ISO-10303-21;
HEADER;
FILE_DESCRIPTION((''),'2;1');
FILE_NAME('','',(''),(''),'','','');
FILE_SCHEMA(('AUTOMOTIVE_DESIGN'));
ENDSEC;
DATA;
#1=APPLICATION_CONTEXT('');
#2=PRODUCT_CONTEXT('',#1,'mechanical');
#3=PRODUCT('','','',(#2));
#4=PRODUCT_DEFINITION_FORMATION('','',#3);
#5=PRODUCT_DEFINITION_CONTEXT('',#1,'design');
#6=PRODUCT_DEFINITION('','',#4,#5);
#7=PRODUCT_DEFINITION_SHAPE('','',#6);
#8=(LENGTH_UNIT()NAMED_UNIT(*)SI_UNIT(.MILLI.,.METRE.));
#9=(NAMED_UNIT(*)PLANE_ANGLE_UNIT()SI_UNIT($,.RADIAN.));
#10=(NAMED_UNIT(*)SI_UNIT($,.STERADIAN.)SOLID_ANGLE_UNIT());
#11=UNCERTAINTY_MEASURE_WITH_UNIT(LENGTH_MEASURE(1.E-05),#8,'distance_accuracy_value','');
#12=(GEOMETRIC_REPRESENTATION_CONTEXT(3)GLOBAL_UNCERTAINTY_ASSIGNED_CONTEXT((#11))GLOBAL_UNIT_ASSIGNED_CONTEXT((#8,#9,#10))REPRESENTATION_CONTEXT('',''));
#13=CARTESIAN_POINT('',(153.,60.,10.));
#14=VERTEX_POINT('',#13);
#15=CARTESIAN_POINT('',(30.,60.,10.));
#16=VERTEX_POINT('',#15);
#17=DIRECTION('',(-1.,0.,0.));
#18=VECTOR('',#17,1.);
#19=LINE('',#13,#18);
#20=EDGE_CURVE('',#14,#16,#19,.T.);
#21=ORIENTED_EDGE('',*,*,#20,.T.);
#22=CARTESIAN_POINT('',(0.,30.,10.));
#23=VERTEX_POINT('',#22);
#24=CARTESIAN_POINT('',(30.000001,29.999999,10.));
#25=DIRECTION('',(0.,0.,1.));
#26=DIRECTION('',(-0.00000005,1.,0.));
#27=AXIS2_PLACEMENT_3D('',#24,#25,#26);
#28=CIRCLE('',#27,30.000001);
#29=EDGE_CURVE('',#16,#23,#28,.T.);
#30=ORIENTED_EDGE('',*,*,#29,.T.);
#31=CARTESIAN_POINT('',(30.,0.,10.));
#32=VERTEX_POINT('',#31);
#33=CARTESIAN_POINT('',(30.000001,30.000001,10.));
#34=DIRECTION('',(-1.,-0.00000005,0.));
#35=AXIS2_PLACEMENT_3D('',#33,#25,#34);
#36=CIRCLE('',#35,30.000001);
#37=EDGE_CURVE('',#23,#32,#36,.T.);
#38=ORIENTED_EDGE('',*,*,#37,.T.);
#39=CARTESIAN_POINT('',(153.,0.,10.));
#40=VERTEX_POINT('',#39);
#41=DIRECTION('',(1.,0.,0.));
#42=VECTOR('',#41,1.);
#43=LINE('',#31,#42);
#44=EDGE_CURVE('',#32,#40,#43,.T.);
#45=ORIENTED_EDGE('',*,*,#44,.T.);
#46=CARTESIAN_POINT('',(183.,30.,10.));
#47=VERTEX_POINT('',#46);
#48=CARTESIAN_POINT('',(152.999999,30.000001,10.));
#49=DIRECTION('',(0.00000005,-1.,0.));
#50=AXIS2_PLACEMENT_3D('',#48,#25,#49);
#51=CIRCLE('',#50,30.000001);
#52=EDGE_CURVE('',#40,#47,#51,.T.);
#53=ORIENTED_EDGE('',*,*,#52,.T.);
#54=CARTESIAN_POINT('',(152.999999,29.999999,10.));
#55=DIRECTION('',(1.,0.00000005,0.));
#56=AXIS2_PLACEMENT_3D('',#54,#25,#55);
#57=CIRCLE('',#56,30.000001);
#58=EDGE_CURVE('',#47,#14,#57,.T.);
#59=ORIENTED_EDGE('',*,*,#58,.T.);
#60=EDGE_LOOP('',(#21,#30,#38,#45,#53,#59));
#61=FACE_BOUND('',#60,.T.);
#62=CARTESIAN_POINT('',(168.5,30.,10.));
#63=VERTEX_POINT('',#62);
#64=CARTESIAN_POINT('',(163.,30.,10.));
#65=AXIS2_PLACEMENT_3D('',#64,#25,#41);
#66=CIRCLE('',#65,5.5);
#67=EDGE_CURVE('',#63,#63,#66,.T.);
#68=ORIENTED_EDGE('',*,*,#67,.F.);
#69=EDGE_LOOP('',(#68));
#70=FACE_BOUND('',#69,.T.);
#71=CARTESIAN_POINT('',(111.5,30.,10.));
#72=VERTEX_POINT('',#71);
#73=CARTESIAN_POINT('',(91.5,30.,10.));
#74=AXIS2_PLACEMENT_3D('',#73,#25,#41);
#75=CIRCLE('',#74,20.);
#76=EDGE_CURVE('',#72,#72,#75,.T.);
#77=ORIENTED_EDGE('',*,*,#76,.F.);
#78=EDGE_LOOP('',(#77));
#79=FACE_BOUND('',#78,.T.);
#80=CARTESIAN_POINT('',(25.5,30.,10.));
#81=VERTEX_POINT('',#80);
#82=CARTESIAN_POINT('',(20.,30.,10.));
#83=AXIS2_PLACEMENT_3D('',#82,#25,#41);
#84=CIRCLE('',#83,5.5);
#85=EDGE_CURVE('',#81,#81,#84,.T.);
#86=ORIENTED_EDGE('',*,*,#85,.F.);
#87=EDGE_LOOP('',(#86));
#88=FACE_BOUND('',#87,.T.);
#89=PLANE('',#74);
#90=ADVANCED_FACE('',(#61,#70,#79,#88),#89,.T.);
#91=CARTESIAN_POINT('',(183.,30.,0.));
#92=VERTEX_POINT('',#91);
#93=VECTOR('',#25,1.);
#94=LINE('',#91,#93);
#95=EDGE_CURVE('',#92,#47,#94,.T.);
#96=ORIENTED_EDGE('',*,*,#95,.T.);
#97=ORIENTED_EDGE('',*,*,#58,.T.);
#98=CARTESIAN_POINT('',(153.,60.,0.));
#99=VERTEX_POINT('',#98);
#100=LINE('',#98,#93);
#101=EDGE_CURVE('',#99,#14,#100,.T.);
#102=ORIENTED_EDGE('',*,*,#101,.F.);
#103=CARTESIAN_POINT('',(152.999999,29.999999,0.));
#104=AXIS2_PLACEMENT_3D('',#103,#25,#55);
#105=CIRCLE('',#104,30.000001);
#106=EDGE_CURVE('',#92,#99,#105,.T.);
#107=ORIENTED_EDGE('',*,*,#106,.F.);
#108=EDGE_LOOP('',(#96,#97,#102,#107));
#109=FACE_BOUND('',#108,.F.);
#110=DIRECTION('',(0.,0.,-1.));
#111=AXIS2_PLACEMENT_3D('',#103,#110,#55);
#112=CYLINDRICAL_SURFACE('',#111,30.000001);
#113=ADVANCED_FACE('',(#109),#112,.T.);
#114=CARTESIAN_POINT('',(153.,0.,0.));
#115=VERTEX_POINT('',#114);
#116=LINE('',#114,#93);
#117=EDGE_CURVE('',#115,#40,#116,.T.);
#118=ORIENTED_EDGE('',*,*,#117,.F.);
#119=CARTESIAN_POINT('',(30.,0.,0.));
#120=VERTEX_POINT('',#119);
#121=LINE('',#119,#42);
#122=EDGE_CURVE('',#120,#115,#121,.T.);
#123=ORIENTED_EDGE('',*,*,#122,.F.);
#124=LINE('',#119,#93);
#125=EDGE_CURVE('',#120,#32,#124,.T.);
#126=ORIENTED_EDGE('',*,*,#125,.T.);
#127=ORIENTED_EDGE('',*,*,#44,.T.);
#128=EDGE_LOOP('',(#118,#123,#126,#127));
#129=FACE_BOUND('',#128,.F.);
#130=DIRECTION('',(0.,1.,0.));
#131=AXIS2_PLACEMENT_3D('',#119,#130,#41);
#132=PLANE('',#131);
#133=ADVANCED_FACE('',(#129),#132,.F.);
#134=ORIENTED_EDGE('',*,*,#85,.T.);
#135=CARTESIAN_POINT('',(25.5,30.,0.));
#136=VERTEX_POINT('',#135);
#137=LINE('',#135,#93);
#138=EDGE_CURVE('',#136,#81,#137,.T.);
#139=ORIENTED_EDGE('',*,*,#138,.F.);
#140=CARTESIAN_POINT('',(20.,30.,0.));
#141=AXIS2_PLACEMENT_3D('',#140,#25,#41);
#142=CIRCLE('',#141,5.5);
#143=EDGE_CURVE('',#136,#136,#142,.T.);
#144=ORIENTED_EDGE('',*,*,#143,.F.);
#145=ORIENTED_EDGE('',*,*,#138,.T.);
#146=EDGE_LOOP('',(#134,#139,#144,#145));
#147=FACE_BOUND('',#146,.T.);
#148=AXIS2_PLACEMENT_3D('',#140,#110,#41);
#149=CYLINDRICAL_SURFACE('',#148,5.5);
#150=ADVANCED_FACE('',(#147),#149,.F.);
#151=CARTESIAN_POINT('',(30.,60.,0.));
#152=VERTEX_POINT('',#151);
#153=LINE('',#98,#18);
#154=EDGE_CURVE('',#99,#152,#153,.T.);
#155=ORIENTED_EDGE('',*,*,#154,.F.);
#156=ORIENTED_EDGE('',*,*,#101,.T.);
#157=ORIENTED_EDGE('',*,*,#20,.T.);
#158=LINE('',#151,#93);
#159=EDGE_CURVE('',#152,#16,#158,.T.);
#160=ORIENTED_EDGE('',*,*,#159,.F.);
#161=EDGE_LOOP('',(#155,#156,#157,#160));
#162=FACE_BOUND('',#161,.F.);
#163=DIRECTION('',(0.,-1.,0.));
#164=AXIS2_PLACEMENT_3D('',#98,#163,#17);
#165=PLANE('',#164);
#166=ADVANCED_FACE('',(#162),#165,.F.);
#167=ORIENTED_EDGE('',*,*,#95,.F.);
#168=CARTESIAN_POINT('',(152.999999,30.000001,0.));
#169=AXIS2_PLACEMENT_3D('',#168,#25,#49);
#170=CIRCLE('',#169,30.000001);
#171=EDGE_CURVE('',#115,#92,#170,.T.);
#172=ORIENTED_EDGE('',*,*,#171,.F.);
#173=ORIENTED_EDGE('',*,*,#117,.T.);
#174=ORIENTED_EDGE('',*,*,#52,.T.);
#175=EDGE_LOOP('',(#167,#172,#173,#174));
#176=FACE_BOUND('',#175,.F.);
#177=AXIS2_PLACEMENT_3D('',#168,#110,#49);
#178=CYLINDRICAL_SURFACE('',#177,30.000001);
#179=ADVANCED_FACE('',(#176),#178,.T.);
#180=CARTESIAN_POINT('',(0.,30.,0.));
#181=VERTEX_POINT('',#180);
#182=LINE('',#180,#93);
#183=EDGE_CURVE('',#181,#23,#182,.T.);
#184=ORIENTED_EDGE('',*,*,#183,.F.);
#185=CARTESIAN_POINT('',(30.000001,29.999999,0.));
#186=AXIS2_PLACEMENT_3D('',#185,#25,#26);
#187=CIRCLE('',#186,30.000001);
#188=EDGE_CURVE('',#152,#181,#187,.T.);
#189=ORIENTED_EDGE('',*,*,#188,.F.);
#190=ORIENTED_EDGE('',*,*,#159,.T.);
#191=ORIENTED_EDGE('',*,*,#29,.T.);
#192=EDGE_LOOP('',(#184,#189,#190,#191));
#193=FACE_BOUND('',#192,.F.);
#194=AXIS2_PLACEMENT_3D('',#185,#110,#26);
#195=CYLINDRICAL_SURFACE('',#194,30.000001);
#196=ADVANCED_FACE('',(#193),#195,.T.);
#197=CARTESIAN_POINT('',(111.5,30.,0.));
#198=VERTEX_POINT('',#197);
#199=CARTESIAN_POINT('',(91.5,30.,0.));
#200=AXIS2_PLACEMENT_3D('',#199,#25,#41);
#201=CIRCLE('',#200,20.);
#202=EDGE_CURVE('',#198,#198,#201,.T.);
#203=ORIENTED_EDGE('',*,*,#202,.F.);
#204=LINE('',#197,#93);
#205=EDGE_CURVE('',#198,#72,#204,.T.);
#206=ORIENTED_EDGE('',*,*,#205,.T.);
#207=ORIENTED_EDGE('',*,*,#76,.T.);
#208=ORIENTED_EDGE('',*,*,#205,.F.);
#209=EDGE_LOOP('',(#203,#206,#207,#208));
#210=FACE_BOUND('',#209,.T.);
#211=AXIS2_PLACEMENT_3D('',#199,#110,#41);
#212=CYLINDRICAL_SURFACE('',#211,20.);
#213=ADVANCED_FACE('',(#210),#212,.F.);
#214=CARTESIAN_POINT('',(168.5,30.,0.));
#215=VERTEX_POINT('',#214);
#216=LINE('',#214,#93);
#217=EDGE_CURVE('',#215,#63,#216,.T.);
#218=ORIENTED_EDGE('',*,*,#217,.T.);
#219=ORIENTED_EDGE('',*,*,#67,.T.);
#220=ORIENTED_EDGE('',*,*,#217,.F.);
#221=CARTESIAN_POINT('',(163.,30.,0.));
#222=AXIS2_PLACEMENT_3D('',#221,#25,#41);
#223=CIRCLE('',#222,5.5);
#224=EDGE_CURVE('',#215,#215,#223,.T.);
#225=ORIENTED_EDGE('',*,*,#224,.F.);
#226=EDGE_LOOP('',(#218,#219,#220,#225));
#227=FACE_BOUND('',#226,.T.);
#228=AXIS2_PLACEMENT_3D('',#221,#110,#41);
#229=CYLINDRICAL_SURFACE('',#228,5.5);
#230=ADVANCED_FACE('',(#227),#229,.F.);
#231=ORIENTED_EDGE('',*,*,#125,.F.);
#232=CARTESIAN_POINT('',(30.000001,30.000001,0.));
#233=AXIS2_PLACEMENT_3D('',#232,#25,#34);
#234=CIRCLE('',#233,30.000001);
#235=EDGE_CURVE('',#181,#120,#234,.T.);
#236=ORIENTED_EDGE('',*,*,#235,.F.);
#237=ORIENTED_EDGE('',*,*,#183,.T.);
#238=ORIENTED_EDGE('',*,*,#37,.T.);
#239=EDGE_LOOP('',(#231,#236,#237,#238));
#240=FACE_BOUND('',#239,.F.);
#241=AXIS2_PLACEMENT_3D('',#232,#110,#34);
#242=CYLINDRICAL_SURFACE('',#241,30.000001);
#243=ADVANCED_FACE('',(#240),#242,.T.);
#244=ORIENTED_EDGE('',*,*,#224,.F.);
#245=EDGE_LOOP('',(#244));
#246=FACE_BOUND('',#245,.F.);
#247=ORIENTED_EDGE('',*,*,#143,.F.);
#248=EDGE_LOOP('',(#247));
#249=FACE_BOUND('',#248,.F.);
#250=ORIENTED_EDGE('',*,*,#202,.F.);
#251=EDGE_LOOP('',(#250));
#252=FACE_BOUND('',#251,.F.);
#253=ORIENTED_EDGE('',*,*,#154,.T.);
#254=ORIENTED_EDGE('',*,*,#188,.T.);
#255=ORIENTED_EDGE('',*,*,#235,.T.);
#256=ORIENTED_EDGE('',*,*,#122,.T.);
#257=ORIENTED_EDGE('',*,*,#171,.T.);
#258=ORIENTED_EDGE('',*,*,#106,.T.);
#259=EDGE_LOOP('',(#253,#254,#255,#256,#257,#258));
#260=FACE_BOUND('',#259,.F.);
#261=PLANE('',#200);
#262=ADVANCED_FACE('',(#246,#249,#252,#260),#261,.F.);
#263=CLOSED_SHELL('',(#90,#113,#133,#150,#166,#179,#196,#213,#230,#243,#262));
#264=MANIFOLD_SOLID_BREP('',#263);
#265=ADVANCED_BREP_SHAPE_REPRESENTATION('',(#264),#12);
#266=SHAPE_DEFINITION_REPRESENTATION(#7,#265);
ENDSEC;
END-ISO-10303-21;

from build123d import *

# Parameters (mm, degrees)
F0_R     = 5.5
F0_R_2   = 20
F1_DEPTH = 10


with BuildPart() as f1:
    # F0 (on Top) → F1 (new body)
    with BuildSketch(Plane.XY):
        with BuildLine():
            ThreePointArc((0, 30), (8.786797, 8.786797), (30, 0))
            Line((30, 0), (153, 0))
            ThreePointArc((153, 0), (174.213203, 8.786797), (183, 30))
            ThreePointArc((183, 30), (174.213203, 51.213203), (153, 60))
            Line((153, 60), (30, 60))
            ThreePointArc((30, 60), (8.786797, 51.213203), (0, 30))
        make_face()
        with Locations((20, 30)):
            Circle(F0_R, mode=Mode.SUBTRACT)
        with Locations((91.5, 30)):
            Circle(F0_R_2, mode=Mode.SUBTRACT)
        with Locations((163, 30)):
            Circle(F0_R, mode=Mode.SUBTRACT)
    extrude(amount=F1_DEPTH)


solid = f1.part
